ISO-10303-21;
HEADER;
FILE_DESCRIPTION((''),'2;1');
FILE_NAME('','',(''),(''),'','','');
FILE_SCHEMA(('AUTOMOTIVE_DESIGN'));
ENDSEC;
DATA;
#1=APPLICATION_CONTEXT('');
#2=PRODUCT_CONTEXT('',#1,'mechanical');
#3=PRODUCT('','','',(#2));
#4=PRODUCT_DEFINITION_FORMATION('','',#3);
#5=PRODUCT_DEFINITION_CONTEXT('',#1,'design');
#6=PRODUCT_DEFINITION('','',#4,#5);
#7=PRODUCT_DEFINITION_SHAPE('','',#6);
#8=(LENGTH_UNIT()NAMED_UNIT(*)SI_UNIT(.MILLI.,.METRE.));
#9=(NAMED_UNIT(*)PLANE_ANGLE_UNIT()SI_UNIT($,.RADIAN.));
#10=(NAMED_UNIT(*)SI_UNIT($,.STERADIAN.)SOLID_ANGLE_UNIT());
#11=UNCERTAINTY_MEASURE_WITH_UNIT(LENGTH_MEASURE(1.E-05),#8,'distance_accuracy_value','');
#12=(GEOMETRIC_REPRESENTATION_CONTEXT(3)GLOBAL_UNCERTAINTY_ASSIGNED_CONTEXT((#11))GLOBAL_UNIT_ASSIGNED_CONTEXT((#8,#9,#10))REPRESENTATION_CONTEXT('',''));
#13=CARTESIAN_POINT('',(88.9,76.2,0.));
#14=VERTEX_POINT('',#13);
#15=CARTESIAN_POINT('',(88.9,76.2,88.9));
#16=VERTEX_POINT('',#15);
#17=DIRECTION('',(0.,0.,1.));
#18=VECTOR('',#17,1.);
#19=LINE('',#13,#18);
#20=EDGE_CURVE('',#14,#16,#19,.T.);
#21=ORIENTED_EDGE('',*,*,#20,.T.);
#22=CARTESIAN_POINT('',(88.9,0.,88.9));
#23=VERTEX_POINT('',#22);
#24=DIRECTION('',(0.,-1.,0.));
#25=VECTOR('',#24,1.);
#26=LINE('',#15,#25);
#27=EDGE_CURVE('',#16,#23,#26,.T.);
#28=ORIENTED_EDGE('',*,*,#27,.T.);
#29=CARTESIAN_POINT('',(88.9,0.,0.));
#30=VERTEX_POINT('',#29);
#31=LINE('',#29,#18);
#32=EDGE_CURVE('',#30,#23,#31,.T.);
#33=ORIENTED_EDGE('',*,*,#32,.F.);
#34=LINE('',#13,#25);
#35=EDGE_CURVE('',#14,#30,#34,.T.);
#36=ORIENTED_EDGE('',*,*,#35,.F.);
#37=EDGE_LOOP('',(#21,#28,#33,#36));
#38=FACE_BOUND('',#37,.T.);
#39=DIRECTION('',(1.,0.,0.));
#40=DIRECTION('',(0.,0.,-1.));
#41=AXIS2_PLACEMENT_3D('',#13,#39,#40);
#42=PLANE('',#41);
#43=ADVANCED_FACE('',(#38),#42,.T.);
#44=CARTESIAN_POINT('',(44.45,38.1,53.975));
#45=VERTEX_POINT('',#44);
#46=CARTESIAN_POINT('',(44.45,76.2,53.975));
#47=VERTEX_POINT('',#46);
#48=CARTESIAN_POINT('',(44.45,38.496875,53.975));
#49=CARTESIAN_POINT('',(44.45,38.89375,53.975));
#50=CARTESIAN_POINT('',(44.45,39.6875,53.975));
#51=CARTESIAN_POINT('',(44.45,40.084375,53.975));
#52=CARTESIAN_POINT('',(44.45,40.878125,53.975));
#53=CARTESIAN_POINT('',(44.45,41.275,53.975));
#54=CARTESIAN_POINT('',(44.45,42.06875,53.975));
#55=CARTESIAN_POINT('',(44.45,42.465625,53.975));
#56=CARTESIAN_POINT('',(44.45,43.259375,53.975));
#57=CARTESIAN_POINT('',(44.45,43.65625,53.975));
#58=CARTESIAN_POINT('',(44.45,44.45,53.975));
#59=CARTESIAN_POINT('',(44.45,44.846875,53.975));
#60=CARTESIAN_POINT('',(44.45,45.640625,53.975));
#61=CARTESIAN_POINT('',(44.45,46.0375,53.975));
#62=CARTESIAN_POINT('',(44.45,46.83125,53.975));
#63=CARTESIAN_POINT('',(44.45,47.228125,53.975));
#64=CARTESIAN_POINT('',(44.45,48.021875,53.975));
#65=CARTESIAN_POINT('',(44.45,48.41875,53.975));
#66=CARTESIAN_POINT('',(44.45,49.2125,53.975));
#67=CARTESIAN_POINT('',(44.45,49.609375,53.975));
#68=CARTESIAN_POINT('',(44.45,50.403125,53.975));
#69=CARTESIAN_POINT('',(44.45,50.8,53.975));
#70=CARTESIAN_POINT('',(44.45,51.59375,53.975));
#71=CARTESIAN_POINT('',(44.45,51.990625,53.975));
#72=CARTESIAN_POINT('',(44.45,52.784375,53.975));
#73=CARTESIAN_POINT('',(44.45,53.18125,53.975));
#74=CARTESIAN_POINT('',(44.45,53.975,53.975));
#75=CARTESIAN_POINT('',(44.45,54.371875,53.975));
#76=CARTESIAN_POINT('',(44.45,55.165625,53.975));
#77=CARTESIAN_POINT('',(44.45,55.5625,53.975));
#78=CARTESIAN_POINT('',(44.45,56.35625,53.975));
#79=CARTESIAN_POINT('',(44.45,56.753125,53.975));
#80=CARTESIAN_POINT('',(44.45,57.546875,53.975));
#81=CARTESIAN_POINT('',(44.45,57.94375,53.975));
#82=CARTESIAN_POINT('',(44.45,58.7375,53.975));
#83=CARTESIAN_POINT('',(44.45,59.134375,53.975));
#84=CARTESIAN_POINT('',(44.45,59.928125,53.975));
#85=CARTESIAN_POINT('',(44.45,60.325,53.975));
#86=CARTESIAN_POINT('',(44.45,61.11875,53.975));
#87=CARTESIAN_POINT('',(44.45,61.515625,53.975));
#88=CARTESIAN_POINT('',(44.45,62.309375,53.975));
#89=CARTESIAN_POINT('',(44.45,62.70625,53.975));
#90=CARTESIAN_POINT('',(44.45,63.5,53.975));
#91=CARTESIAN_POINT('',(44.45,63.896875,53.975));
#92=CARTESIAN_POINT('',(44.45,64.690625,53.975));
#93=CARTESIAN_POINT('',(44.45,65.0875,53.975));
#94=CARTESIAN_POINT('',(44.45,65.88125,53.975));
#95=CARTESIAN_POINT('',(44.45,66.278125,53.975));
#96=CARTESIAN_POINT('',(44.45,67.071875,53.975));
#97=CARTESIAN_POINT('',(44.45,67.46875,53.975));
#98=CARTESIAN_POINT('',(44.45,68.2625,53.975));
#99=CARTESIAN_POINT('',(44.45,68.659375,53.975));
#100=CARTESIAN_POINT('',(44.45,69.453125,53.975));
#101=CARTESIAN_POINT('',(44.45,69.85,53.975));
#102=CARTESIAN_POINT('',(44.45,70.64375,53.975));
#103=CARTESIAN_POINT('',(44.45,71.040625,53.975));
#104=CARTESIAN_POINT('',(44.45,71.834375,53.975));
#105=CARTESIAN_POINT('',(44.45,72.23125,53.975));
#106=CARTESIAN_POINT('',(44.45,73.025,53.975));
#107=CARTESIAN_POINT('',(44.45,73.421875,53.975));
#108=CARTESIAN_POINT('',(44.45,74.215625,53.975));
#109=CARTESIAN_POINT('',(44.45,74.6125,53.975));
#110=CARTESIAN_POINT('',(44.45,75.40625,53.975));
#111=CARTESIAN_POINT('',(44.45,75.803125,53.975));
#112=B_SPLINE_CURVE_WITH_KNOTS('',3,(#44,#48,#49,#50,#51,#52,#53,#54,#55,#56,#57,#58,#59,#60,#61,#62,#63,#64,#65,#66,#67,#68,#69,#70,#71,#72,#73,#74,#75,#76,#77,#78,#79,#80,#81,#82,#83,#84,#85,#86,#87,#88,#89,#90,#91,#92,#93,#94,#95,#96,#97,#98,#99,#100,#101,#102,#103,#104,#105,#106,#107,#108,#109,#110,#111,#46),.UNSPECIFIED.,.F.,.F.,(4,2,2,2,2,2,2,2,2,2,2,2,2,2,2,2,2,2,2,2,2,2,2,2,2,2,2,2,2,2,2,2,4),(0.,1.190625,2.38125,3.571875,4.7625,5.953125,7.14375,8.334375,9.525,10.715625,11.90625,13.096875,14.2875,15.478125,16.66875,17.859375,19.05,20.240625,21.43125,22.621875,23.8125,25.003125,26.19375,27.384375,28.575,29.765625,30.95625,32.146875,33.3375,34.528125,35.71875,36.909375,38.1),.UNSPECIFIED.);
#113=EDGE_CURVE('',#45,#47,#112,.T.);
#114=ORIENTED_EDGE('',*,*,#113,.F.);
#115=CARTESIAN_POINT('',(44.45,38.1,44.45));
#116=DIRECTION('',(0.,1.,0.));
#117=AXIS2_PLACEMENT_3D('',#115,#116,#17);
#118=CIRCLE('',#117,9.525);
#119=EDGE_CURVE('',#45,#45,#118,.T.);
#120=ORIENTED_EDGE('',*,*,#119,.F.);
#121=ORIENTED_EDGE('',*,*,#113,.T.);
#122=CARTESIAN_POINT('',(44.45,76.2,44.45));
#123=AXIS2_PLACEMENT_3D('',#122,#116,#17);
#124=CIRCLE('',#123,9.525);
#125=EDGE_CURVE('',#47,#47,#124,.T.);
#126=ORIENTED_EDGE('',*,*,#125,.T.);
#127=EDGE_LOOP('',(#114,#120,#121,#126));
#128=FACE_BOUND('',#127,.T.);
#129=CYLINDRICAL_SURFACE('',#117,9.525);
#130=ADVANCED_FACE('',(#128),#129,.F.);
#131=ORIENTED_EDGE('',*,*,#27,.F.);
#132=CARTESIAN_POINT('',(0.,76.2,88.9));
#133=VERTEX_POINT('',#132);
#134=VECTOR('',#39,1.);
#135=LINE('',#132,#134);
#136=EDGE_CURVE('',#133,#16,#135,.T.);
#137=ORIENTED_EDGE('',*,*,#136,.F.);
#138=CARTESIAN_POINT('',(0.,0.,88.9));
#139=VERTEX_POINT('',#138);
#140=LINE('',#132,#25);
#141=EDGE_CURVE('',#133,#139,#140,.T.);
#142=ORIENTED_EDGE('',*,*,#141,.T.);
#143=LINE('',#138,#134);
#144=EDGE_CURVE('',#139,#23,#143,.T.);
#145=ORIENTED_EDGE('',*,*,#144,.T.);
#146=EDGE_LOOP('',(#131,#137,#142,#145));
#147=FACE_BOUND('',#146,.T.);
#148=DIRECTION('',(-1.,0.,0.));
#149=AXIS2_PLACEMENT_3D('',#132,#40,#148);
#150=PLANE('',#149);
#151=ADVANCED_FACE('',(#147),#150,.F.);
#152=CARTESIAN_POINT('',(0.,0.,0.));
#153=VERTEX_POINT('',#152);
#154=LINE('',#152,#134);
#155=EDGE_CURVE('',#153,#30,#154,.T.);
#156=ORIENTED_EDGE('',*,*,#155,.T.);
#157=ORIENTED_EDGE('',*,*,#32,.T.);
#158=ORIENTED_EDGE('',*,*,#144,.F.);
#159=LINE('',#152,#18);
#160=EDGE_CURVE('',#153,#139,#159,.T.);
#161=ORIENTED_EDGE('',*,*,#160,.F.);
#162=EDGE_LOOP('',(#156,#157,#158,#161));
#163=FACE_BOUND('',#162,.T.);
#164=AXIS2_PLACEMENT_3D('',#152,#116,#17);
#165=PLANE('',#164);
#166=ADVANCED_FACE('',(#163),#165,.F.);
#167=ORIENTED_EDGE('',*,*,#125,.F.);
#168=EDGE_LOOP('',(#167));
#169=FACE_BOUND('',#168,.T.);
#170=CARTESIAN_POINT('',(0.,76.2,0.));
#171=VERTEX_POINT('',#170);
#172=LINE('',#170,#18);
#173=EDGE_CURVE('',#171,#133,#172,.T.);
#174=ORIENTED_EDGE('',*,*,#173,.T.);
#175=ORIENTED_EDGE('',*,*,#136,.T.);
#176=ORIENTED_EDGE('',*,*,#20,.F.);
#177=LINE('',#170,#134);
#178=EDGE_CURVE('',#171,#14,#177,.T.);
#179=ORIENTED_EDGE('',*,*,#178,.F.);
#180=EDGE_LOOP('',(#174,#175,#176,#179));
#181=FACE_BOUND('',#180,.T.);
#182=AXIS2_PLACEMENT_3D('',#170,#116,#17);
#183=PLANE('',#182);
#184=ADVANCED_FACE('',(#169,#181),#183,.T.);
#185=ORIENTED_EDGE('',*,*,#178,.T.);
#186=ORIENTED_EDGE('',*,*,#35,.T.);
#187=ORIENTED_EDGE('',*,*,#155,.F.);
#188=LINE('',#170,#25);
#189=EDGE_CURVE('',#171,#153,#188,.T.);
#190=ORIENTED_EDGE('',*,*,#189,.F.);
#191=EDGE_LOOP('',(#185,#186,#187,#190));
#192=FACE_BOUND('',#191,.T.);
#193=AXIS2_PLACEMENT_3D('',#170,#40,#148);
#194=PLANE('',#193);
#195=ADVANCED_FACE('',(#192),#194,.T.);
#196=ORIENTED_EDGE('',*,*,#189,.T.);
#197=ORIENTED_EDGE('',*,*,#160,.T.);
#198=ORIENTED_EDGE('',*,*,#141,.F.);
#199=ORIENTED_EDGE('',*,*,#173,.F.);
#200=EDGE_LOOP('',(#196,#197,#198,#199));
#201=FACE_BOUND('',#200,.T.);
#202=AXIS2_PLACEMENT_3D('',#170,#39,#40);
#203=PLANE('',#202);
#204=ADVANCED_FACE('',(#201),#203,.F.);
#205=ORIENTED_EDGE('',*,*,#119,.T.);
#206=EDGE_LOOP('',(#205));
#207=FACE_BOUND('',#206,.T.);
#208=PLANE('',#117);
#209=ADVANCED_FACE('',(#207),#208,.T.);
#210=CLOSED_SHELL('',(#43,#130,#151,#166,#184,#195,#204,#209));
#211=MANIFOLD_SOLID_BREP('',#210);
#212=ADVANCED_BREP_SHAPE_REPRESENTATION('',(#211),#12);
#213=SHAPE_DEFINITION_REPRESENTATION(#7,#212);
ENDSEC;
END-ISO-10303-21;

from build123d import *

# Parameters (mm, degrees)
SKETCH1_W           = 88.9
SKETCH1_H           = 88.9
BOSS_EXTRUDE1_DEPTH = 76.2
SKETCH2_R           = 9.525
CUT_EXTRUDE1_DEPTH  = 38.1


with BuildPart() as part:
    # Sketch1 → Boss-Extrude1 (new body)
    with BuildSketch(Plane(origin=(0, 0, 0), x_dir=(1, 0, 0), z_dir=(0, 1, 0))):
        with Locations((44.45, -44.45)):
            Rectangle(SKETCH1_W, SKETCH1_H)
    extrude(amount=BOSS_EXTRUDE1_DEPTH)

    # Sketch2 → Cut-Extrude1 (cut)
    with BuildSketch(Plane(origin=(0, 76.2, 0), x_dir=(1, 0, 0), z_dir=(0, 1, 0))):
        with Locations(Location((44.45, -44.45, 0), (0, 0, 270))):
            Circle(SKETCH2_R)
    extrude(amount=-CUT_EXTRUDE1_DEPTH, mode=Mode.SUBTRACT)


solid = part.part
